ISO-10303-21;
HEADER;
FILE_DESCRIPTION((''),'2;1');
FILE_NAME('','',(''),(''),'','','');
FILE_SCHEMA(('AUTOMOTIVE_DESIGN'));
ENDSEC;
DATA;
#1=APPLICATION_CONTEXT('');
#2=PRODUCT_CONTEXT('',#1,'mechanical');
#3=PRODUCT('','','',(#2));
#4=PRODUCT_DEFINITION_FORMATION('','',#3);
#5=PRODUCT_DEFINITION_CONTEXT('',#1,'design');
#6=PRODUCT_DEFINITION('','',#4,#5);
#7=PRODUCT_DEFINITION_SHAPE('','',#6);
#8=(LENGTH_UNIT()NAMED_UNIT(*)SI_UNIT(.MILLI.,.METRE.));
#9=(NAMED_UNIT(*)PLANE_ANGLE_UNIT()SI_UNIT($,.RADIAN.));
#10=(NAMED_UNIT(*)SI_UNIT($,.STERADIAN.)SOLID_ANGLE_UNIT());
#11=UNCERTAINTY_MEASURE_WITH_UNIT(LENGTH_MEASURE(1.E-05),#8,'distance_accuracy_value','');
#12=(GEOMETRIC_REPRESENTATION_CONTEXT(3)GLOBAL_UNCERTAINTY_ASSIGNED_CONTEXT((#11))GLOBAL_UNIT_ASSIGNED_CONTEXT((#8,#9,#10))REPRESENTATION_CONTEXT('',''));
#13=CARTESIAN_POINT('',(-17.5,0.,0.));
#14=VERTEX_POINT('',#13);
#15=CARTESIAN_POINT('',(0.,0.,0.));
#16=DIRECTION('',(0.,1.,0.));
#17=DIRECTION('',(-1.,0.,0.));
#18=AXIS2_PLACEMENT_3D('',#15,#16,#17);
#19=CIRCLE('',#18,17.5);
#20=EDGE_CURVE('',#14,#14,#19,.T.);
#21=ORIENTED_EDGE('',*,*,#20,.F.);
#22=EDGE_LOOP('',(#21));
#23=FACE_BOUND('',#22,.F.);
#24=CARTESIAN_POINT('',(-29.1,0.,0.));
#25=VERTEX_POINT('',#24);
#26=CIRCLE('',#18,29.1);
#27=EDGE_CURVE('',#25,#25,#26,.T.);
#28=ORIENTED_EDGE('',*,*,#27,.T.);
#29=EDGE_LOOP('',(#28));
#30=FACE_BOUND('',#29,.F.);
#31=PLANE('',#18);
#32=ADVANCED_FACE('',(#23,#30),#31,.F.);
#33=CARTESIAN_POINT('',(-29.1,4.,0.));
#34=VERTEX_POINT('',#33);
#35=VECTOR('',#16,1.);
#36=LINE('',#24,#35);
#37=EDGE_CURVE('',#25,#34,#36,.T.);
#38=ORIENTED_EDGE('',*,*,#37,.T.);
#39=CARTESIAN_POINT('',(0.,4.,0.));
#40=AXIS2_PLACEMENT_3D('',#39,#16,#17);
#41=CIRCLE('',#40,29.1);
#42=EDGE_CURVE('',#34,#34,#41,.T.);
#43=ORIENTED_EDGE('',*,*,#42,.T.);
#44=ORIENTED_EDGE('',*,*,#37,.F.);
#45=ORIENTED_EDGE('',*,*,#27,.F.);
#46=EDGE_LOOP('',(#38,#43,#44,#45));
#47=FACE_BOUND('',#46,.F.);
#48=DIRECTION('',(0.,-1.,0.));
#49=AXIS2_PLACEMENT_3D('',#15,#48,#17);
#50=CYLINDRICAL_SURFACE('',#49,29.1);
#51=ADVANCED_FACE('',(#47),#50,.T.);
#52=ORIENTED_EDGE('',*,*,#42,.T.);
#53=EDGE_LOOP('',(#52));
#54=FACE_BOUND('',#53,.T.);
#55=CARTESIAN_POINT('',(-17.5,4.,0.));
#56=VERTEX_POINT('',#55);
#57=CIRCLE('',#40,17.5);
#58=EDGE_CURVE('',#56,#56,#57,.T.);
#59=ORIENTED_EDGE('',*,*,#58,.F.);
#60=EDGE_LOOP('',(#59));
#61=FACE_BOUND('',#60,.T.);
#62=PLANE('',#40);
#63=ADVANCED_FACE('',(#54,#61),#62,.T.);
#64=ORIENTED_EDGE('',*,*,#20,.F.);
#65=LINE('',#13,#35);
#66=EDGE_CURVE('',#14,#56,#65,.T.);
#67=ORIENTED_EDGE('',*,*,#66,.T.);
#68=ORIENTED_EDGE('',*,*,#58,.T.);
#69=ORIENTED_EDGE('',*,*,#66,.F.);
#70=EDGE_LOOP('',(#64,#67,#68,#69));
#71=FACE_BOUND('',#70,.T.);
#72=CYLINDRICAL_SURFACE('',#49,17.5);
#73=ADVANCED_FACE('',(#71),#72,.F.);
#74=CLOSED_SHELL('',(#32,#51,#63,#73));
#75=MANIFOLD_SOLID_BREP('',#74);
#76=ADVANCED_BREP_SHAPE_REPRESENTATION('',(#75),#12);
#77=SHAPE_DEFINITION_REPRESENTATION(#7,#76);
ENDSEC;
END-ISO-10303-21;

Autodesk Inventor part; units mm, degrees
ref_plane "YZ Plane" through (0, 0, 0) normal (1, 0, 0) x (0, 1, 0)
ref_plane "XZ Plane" through (0, 0, 0) normal (0, 1, 0) x (-1, 0, 0)
ref_plane "XY Plane" through (0, 0, 0) normal (0, 0, 1) x (1, 0, 0)
sketch "Skizze1" plane through (0, 0, 0) normal (0, 1, 0) x (-1, 0, 0)
  circle A0 centre (0, 0) radius 17.5
  circle A1 centre (0, 0) radius 29.1
  dimension "d0" = 35
  dimension "d1" = 58.2
extrude "Extrusion1" add sketch "Skizze1" along normal blind 4
properties part number "Fixierplatte_Innenring35mm"
